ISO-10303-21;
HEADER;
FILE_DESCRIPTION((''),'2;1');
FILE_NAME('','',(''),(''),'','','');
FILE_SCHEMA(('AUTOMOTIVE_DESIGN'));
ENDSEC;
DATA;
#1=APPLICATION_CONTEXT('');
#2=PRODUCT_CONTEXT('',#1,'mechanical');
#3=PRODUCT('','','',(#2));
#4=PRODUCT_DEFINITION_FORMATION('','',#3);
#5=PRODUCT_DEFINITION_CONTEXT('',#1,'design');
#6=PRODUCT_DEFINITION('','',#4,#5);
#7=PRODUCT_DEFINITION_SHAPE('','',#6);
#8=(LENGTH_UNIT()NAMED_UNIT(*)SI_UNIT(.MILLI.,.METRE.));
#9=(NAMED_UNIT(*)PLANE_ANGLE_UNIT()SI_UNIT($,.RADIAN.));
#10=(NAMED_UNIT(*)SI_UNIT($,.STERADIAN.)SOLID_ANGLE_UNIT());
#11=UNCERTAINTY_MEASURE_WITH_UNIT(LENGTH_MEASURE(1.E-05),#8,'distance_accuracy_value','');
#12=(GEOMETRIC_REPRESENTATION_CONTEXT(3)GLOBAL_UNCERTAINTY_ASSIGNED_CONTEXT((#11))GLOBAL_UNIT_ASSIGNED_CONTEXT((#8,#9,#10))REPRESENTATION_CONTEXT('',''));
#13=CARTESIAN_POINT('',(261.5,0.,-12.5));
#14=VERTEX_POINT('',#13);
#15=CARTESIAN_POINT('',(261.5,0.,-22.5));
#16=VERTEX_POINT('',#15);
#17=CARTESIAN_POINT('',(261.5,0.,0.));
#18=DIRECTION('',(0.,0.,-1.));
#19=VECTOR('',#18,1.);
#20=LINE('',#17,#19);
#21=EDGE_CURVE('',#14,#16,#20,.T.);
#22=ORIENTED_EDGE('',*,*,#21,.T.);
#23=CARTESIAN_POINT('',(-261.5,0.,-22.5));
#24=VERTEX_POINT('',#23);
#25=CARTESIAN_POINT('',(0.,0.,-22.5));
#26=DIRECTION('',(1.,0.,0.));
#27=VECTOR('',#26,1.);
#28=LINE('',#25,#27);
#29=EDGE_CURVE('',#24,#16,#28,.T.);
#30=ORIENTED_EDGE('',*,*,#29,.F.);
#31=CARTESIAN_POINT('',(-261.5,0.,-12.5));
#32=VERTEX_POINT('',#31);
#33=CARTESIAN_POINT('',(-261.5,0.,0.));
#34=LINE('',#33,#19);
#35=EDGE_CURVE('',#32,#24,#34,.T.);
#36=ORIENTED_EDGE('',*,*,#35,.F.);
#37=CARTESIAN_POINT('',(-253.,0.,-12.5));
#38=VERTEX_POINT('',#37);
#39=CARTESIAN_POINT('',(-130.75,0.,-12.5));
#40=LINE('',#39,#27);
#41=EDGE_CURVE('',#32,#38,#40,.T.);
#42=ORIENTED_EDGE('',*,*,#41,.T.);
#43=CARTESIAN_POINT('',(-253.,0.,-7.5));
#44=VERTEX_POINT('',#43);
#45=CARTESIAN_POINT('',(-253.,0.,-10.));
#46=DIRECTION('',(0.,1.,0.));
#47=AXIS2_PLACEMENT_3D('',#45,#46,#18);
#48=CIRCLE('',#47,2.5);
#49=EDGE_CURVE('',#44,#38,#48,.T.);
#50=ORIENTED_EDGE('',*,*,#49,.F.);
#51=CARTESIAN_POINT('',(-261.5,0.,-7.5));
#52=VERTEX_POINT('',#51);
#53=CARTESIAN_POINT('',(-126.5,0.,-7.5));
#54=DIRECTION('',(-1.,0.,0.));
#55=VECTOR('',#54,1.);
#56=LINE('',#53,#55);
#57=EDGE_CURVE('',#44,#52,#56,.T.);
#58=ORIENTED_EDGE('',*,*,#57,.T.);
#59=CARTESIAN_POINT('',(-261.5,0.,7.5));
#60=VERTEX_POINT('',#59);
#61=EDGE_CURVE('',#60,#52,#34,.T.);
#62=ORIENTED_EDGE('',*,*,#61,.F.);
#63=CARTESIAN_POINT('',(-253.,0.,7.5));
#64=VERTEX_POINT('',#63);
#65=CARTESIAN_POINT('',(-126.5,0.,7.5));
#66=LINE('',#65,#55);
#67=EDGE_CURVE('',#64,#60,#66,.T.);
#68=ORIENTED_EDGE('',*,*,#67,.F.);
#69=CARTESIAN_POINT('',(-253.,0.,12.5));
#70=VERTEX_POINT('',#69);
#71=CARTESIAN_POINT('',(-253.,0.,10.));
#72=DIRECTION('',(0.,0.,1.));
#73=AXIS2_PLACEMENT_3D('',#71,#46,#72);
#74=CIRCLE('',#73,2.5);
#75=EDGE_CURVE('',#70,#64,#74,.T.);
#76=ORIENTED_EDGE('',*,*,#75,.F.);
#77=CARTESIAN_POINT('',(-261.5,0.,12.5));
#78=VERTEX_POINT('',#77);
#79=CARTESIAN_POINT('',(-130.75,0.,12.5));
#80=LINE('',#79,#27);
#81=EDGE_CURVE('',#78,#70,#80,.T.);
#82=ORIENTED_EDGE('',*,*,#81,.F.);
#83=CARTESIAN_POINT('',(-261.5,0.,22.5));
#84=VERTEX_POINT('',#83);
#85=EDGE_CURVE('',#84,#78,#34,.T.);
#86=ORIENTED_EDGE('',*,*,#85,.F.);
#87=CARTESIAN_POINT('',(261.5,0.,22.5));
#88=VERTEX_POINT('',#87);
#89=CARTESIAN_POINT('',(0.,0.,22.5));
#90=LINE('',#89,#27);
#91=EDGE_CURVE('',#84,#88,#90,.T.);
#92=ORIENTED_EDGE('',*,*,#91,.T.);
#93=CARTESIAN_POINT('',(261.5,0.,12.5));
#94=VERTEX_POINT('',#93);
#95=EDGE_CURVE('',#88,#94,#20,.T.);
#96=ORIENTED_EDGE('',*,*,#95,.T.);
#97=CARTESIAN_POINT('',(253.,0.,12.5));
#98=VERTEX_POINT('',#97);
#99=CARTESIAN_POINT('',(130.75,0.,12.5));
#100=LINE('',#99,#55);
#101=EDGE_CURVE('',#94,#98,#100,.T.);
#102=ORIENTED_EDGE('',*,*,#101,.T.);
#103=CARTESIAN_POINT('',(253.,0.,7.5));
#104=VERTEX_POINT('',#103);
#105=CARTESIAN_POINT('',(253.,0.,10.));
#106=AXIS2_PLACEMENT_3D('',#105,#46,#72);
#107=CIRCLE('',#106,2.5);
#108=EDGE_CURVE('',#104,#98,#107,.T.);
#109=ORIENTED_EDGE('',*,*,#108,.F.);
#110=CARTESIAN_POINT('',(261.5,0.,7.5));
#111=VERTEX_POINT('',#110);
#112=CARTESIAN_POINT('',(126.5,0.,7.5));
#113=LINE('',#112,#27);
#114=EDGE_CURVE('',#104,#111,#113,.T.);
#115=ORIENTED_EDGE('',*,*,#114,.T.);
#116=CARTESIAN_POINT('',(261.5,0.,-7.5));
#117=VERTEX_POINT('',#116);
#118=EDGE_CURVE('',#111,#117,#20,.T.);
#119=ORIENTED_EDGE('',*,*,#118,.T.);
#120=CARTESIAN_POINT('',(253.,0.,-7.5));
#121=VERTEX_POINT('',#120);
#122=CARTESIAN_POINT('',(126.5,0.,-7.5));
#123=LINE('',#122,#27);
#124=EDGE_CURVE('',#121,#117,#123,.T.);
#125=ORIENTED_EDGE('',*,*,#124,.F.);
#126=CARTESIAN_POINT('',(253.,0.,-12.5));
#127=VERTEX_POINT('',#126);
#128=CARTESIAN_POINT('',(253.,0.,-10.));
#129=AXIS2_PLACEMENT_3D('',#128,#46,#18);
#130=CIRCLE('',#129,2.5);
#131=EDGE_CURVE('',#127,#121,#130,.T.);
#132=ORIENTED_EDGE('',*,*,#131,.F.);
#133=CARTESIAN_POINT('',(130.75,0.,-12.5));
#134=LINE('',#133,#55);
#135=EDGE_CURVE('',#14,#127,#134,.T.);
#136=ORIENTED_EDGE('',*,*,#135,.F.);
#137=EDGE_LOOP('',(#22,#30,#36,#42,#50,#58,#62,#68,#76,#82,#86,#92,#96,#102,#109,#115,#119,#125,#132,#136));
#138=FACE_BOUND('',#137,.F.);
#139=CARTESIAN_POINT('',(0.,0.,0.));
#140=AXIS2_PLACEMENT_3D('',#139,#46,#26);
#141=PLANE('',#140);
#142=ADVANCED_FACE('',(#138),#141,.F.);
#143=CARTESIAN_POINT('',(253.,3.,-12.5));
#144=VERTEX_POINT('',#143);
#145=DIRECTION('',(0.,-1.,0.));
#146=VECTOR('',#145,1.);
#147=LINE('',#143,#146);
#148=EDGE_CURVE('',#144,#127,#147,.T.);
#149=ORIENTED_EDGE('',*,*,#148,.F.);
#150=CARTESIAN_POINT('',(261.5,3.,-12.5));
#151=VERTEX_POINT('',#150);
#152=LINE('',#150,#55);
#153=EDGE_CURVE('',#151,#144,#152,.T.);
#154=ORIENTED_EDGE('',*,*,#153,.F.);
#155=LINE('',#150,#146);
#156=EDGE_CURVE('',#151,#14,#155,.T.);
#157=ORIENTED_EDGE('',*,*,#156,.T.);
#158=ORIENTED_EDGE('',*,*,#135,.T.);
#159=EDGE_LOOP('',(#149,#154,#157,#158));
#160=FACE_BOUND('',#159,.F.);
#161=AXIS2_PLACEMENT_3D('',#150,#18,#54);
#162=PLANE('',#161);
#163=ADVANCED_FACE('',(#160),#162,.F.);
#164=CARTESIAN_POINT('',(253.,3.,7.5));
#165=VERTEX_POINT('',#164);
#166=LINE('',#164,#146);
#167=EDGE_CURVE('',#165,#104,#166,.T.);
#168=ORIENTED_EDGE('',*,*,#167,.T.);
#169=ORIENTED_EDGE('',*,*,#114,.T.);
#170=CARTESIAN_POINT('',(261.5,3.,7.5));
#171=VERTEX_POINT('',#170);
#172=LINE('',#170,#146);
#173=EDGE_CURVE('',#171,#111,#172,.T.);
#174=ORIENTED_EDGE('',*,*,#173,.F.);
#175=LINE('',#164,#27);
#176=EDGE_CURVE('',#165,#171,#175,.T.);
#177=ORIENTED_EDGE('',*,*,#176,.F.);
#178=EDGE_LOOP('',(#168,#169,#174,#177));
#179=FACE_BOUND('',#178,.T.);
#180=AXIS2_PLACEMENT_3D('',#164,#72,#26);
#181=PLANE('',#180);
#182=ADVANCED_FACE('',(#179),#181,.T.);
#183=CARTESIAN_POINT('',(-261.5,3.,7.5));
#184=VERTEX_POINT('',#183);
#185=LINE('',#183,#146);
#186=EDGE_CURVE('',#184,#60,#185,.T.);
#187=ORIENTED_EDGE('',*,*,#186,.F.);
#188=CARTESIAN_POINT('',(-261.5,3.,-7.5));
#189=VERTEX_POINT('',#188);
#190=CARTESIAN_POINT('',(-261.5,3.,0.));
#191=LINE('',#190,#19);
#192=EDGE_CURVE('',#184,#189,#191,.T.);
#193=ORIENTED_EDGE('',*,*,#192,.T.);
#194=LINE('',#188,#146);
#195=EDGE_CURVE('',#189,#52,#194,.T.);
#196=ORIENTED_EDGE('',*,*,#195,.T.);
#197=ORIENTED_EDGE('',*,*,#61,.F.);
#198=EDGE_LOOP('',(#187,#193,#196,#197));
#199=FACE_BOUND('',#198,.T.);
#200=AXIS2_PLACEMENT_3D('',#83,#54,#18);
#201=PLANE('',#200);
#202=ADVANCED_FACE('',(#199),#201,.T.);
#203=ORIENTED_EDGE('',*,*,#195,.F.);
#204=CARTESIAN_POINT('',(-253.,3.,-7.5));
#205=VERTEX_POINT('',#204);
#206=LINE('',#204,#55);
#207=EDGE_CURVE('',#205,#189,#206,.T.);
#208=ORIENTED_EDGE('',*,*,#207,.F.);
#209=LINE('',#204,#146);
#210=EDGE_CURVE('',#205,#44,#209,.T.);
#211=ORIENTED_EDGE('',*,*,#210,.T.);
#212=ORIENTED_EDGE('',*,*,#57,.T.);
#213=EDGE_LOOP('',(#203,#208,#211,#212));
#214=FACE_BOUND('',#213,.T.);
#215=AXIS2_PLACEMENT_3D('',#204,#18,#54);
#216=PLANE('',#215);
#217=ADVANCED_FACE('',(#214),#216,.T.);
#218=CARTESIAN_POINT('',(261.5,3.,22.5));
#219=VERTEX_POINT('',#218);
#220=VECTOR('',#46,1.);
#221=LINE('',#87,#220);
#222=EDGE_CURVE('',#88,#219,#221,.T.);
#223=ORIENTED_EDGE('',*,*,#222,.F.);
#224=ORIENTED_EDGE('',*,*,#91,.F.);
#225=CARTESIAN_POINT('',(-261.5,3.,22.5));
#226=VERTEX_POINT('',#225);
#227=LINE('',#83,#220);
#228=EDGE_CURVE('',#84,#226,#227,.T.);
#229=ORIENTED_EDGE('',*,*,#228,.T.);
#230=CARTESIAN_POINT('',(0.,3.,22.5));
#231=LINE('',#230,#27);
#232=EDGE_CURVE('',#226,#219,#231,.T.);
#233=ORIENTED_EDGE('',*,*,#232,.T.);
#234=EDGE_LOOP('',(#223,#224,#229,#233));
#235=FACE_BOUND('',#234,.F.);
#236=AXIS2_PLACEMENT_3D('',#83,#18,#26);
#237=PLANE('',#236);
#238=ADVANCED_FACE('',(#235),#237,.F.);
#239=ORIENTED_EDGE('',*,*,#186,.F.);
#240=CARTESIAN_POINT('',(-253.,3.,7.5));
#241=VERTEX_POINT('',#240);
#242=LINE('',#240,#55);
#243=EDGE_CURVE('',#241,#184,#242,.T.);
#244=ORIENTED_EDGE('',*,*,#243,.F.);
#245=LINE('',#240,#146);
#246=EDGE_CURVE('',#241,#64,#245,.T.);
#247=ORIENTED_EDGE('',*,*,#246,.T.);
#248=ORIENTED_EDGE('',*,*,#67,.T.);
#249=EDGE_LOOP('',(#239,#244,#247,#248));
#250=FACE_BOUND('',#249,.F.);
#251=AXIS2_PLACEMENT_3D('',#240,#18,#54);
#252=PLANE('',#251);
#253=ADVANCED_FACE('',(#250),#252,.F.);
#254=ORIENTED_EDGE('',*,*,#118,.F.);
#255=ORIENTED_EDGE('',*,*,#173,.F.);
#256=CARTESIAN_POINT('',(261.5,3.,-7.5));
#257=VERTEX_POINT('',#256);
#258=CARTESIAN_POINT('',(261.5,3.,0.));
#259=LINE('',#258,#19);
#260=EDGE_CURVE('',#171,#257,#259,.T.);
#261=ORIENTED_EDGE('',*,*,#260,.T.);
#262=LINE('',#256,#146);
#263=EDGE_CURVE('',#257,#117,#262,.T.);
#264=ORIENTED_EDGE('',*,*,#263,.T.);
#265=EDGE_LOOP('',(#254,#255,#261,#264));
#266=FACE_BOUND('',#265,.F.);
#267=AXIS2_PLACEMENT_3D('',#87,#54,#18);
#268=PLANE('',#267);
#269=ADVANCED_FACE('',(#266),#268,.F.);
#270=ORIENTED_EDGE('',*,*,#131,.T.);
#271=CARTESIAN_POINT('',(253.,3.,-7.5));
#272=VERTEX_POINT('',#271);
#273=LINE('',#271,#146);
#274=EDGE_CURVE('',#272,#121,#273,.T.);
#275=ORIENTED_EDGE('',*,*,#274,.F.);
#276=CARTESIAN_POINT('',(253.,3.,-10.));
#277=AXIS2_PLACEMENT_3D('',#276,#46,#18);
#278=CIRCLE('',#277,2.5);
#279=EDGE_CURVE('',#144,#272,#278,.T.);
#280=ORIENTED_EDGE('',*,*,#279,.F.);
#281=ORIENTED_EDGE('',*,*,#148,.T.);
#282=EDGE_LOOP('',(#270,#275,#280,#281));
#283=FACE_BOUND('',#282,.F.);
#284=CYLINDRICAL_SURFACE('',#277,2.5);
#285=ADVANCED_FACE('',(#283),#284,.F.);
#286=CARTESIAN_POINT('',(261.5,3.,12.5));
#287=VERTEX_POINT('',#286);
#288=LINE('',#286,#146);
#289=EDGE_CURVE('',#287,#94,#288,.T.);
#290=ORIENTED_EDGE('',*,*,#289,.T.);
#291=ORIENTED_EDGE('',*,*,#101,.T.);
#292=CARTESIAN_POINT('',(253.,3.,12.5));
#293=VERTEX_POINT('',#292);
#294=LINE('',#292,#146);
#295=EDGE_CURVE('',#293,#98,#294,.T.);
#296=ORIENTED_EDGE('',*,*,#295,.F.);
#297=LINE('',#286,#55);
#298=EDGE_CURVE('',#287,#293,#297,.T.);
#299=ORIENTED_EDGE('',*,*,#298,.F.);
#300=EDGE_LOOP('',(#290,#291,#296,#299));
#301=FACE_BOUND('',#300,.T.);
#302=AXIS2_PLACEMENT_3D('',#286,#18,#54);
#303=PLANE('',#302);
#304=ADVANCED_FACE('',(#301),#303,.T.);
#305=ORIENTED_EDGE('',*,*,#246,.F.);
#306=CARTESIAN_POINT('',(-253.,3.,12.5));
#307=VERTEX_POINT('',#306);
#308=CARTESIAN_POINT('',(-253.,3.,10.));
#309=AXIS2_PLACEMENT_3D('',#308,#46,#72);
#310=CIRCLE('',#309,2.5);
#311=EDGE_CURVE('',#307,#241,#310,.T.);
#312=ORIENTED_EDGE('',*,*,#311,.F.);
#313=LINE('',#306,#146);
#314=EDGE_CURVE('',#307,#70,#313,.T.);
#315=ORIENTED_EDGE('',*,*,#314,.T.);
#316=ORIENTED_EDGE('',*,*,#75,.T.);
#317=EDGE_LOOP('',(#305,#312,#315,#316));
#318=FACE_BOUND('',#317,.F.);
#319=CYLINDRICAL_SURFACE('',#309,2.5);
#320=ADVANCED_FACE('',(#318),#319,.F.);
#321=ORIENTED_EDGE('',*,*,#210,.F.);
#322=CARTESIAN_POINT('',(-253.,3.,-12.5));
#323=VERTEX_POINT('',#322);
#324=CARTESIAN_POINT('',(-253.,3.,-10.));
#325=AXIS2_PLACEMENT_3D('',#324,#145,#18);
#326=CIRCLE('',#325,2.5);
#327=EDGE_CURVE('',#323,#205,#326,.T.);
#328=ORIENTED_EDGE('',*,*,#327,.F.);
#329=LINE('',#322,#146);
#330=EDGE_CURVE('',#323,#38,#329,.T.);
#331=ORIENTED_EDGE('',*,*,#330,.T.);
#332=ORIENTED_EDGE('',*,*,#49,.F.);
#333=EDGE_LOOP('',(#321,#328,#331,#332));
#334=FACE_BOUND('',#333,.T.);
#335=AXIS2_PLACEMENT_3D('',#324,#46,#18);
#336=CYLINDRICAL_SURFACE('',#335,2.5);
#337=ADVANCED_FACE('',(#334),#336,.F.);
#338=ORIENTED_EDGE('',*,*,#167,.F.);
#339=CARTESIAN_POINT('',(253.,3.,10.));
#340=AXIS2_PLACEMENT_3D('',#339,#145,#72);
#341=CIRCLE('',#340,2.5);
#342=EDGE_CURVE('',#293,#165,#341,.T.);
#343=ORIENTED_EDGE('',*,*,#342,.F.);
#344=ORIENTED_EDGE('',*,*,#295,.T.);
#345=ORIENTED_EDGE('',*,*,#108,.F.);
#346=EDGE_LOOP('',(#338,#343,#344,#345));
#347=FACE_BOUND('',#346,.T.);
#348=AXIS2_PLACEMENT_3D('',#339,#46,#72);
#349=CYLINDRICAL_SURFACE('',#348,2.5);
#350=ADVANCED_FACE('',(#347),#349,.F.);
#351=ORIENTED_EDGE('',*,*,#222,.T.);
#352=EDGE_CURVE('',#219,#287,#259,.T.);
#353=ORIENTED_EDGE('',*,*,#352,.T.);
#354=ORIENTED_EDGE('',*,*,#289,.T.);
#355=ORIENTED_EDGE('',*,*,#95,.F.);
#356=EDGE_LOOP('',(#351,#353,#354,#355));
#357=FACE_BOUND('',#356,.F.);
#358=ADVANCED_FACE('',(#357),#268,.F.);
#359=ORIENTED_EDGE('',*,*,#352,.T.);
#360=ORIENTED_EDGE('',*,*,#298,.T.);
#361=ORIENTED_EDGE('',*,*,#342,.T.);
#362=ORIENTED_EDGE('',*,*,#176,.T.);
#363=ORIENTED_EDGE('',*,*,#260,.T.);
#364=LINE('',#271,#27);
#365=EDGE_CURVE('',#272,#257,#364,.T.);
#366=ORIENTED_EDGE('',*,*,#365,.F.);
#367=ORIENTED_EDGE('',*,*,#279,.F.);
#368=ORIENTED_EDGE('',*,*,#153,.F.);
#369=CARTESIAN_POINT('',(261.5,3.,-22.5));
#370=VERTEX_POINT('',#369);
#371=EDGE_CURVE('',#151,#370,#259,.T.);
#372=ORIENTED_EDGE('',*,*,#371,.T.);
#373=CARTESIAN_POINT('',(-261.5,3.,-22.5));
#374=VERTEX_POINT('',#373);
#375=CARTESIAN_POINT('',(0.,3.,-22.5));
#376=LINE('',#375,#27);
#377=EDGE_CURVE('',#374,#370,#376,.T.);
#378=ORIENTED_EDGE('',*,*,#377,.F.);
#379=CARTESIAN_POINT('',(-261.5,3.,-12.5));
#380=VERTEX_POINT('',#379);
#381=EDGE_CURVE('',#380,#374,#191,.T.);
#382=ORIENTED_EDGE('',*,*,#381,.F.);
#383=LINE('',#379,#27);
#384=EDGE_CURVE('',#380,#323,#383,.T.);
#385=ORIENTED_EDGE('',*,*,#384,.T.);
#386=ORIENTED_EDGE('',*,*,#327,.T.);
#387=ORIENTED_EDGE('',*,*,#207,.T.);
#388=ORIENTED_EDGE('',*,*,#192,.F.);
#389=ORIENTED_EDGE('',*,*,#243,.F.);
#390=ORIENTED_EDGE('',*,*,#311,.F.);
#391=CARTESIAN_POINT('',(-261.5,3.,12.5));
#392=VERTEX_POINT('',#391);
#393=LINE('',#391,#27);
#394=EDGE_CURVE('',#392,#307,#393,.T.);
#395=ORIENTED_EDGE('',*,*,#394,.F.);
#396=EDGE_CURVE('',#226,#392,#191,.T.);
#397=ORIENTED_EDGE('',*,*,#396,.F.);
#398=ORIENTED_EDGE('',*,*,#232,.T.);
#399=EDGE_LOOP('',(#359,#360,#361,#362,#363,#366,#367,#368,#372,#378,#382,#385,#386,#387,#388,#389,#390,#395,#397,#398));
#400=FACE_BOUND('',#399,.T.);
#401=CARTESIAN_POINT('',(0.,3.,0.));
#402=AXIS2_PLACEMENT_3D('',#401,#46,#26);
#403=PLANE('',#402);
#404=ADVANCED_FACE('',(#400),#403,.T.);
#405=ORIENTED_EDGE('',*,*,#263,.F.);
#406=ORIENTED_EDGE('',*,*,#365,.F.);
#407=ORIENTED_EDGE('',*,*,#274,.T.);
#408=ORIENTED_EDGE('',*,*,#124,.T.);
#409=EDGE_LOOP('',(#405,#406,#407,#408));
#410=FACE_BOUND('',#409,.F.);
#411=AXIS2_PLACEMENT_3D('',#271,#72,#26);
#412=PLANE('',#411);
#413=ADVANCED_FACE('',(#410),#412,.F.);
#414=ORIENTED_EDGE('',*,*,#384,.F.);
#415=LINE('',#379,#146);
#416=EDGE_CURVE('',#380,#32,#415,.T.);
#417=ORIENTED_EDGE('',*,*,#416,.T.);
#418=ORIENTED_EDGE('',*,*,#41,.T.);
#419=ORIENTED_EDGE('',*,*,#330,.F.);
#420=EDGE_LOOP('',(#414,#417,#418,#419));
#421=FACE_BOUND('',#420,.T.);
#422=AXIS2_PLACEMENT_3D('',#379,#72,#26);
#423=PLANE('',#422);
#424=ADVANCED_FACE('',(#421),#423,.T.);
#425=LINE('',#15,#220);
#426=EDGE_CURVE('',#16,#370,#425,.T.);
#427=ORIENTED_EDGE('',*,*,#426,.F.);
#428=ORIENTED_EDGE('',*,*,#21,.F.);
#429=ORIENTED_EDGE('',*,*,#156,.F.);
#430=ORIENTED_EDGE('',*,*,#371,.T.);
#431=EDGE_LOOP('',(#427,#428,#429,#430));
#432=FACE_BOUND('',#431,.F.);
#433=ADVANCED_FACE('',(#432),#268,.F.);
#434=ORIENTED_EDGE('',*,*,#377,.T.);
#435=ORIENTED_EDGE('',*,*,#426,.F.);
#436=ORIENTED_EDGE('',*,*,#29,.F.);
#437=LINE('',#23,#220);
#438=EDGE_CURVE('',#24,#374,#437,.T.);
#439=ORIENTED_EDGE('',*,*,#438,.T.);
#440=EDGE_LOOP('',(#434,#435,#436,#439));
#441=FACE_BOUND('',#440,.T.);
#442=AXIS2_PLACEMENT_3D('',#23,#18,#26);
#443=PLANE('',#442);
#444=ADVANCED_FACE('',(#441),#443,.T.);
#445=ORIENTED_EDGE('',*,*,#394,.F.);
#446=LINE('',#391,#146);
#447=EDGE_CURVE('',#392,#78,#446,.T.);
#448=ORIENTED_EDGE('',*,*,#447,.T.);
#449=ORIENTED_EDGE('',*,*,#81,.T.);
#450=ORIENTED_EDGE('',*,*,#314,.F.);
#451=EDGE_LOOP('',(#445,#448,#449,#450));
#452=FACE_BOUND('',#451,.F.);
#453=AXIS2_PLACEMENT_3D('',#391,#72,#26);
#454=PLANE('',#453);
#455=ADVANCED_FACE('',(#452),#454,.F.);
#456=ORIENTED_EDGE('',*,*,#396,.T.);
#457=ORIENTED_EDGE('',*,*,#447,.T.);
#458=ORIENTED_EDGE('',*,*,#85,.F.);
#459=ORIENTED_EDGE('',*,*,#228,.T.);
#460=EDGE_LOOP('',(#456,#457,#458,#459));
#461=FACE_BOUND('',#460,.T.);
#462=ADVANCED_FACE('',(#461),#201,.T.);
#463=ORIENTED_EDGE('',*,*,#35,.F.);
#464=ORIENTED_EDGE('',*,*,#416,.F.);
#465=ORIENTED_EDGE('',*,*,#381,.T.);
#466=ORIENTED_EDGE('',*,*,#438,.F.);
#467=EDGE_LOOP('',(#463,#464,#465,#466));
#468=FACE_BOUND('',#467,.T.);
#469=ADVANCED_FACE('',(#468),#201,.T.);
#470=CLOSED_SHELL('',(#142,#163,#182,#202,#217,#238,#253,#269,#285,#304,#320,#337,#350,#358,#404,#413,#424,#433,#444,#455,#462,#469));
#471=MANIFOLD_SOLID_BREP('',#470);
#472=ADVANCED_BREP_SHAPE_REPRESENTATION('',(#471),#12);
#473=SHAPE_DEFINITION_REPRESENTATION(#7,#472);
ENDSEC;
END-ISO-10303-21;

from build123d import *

# Parameters (mm, degrees)
SKETCH2_W           = 523
SKETCH2_H           = 45
BOSS_EXTRUDE1_DEPTH = 3
CUT_EXTRUDE1_DEPTH  = 4


with BuildPart() as part:
    # Sketch2 → Boss-Extrude1 (new body)
    with BuildSketch(Plane(origin=(0, 0, 0), x_dir=(1, 0, 0), z_dir=(0, 1, 0))):
        Rectangle(SKETCH2_W, SKETCH2_H)
    extrude(amount=BOSS_EXTRUDE1_DEPTH)

    # Sketch3 → Cut-Extrude1 (cut, through all)
    with BuildSketch(Plane(origin=(0, 3, 0), x_dir=(1, 0, 0), z_dir=(0, 1, 0))):
        with BuildLine():
            Line((-261.5, 12.5), (-253, 12.5))
            ThreePointArc((-253, 12.5), (-250.5, 10), (-253, 7.5))
            Line((-253, 7.5), (-261.5, 7.5))
            ThreePointArc((-261.5, 7.5), (-264, 10), (-261.5, 12.5))
        make_face()
        with BuildLine():
            Line((-261.5, -12.5), (-253, -12.5))
            ThreePointArc((-253, -12.5), (-250.5, -10), (-253, -7.5))
            Line((-253, -7.5), (-261.5, -7.5))
            ThreePointArc((-261.5, -7.5), (-264, -10), (-261.5, -12.5))
        make_face()
        with BuildLine():
            Line((261.5, 12.5), (253, 12.5))
            ThreePointArc((253, 12.5), (250.5, 10), (253, 7.5))
            Line((253, 7.5), (261.5, 7.5))
            ThreePointArc((261.5, 7.5), (264, 10), (261.5, 12.5))
        make_face()
        with BuildLine():
            Line((261.5, -12.5), (253, -12.5))
            ThreePointArc((253, -12.5), (250.5, -10), (253, -7.5))
            Line((253, -7.5), (261.5, -7.5))
            ThreePointArc((261.5, -7.5), (264, -10), (261.5, -12.5))
        make_face()
    extrude(amount=-CUT_EXTRUDE1_DEPTH, mode=Mode.SUBTRACT)


solid = part.part
